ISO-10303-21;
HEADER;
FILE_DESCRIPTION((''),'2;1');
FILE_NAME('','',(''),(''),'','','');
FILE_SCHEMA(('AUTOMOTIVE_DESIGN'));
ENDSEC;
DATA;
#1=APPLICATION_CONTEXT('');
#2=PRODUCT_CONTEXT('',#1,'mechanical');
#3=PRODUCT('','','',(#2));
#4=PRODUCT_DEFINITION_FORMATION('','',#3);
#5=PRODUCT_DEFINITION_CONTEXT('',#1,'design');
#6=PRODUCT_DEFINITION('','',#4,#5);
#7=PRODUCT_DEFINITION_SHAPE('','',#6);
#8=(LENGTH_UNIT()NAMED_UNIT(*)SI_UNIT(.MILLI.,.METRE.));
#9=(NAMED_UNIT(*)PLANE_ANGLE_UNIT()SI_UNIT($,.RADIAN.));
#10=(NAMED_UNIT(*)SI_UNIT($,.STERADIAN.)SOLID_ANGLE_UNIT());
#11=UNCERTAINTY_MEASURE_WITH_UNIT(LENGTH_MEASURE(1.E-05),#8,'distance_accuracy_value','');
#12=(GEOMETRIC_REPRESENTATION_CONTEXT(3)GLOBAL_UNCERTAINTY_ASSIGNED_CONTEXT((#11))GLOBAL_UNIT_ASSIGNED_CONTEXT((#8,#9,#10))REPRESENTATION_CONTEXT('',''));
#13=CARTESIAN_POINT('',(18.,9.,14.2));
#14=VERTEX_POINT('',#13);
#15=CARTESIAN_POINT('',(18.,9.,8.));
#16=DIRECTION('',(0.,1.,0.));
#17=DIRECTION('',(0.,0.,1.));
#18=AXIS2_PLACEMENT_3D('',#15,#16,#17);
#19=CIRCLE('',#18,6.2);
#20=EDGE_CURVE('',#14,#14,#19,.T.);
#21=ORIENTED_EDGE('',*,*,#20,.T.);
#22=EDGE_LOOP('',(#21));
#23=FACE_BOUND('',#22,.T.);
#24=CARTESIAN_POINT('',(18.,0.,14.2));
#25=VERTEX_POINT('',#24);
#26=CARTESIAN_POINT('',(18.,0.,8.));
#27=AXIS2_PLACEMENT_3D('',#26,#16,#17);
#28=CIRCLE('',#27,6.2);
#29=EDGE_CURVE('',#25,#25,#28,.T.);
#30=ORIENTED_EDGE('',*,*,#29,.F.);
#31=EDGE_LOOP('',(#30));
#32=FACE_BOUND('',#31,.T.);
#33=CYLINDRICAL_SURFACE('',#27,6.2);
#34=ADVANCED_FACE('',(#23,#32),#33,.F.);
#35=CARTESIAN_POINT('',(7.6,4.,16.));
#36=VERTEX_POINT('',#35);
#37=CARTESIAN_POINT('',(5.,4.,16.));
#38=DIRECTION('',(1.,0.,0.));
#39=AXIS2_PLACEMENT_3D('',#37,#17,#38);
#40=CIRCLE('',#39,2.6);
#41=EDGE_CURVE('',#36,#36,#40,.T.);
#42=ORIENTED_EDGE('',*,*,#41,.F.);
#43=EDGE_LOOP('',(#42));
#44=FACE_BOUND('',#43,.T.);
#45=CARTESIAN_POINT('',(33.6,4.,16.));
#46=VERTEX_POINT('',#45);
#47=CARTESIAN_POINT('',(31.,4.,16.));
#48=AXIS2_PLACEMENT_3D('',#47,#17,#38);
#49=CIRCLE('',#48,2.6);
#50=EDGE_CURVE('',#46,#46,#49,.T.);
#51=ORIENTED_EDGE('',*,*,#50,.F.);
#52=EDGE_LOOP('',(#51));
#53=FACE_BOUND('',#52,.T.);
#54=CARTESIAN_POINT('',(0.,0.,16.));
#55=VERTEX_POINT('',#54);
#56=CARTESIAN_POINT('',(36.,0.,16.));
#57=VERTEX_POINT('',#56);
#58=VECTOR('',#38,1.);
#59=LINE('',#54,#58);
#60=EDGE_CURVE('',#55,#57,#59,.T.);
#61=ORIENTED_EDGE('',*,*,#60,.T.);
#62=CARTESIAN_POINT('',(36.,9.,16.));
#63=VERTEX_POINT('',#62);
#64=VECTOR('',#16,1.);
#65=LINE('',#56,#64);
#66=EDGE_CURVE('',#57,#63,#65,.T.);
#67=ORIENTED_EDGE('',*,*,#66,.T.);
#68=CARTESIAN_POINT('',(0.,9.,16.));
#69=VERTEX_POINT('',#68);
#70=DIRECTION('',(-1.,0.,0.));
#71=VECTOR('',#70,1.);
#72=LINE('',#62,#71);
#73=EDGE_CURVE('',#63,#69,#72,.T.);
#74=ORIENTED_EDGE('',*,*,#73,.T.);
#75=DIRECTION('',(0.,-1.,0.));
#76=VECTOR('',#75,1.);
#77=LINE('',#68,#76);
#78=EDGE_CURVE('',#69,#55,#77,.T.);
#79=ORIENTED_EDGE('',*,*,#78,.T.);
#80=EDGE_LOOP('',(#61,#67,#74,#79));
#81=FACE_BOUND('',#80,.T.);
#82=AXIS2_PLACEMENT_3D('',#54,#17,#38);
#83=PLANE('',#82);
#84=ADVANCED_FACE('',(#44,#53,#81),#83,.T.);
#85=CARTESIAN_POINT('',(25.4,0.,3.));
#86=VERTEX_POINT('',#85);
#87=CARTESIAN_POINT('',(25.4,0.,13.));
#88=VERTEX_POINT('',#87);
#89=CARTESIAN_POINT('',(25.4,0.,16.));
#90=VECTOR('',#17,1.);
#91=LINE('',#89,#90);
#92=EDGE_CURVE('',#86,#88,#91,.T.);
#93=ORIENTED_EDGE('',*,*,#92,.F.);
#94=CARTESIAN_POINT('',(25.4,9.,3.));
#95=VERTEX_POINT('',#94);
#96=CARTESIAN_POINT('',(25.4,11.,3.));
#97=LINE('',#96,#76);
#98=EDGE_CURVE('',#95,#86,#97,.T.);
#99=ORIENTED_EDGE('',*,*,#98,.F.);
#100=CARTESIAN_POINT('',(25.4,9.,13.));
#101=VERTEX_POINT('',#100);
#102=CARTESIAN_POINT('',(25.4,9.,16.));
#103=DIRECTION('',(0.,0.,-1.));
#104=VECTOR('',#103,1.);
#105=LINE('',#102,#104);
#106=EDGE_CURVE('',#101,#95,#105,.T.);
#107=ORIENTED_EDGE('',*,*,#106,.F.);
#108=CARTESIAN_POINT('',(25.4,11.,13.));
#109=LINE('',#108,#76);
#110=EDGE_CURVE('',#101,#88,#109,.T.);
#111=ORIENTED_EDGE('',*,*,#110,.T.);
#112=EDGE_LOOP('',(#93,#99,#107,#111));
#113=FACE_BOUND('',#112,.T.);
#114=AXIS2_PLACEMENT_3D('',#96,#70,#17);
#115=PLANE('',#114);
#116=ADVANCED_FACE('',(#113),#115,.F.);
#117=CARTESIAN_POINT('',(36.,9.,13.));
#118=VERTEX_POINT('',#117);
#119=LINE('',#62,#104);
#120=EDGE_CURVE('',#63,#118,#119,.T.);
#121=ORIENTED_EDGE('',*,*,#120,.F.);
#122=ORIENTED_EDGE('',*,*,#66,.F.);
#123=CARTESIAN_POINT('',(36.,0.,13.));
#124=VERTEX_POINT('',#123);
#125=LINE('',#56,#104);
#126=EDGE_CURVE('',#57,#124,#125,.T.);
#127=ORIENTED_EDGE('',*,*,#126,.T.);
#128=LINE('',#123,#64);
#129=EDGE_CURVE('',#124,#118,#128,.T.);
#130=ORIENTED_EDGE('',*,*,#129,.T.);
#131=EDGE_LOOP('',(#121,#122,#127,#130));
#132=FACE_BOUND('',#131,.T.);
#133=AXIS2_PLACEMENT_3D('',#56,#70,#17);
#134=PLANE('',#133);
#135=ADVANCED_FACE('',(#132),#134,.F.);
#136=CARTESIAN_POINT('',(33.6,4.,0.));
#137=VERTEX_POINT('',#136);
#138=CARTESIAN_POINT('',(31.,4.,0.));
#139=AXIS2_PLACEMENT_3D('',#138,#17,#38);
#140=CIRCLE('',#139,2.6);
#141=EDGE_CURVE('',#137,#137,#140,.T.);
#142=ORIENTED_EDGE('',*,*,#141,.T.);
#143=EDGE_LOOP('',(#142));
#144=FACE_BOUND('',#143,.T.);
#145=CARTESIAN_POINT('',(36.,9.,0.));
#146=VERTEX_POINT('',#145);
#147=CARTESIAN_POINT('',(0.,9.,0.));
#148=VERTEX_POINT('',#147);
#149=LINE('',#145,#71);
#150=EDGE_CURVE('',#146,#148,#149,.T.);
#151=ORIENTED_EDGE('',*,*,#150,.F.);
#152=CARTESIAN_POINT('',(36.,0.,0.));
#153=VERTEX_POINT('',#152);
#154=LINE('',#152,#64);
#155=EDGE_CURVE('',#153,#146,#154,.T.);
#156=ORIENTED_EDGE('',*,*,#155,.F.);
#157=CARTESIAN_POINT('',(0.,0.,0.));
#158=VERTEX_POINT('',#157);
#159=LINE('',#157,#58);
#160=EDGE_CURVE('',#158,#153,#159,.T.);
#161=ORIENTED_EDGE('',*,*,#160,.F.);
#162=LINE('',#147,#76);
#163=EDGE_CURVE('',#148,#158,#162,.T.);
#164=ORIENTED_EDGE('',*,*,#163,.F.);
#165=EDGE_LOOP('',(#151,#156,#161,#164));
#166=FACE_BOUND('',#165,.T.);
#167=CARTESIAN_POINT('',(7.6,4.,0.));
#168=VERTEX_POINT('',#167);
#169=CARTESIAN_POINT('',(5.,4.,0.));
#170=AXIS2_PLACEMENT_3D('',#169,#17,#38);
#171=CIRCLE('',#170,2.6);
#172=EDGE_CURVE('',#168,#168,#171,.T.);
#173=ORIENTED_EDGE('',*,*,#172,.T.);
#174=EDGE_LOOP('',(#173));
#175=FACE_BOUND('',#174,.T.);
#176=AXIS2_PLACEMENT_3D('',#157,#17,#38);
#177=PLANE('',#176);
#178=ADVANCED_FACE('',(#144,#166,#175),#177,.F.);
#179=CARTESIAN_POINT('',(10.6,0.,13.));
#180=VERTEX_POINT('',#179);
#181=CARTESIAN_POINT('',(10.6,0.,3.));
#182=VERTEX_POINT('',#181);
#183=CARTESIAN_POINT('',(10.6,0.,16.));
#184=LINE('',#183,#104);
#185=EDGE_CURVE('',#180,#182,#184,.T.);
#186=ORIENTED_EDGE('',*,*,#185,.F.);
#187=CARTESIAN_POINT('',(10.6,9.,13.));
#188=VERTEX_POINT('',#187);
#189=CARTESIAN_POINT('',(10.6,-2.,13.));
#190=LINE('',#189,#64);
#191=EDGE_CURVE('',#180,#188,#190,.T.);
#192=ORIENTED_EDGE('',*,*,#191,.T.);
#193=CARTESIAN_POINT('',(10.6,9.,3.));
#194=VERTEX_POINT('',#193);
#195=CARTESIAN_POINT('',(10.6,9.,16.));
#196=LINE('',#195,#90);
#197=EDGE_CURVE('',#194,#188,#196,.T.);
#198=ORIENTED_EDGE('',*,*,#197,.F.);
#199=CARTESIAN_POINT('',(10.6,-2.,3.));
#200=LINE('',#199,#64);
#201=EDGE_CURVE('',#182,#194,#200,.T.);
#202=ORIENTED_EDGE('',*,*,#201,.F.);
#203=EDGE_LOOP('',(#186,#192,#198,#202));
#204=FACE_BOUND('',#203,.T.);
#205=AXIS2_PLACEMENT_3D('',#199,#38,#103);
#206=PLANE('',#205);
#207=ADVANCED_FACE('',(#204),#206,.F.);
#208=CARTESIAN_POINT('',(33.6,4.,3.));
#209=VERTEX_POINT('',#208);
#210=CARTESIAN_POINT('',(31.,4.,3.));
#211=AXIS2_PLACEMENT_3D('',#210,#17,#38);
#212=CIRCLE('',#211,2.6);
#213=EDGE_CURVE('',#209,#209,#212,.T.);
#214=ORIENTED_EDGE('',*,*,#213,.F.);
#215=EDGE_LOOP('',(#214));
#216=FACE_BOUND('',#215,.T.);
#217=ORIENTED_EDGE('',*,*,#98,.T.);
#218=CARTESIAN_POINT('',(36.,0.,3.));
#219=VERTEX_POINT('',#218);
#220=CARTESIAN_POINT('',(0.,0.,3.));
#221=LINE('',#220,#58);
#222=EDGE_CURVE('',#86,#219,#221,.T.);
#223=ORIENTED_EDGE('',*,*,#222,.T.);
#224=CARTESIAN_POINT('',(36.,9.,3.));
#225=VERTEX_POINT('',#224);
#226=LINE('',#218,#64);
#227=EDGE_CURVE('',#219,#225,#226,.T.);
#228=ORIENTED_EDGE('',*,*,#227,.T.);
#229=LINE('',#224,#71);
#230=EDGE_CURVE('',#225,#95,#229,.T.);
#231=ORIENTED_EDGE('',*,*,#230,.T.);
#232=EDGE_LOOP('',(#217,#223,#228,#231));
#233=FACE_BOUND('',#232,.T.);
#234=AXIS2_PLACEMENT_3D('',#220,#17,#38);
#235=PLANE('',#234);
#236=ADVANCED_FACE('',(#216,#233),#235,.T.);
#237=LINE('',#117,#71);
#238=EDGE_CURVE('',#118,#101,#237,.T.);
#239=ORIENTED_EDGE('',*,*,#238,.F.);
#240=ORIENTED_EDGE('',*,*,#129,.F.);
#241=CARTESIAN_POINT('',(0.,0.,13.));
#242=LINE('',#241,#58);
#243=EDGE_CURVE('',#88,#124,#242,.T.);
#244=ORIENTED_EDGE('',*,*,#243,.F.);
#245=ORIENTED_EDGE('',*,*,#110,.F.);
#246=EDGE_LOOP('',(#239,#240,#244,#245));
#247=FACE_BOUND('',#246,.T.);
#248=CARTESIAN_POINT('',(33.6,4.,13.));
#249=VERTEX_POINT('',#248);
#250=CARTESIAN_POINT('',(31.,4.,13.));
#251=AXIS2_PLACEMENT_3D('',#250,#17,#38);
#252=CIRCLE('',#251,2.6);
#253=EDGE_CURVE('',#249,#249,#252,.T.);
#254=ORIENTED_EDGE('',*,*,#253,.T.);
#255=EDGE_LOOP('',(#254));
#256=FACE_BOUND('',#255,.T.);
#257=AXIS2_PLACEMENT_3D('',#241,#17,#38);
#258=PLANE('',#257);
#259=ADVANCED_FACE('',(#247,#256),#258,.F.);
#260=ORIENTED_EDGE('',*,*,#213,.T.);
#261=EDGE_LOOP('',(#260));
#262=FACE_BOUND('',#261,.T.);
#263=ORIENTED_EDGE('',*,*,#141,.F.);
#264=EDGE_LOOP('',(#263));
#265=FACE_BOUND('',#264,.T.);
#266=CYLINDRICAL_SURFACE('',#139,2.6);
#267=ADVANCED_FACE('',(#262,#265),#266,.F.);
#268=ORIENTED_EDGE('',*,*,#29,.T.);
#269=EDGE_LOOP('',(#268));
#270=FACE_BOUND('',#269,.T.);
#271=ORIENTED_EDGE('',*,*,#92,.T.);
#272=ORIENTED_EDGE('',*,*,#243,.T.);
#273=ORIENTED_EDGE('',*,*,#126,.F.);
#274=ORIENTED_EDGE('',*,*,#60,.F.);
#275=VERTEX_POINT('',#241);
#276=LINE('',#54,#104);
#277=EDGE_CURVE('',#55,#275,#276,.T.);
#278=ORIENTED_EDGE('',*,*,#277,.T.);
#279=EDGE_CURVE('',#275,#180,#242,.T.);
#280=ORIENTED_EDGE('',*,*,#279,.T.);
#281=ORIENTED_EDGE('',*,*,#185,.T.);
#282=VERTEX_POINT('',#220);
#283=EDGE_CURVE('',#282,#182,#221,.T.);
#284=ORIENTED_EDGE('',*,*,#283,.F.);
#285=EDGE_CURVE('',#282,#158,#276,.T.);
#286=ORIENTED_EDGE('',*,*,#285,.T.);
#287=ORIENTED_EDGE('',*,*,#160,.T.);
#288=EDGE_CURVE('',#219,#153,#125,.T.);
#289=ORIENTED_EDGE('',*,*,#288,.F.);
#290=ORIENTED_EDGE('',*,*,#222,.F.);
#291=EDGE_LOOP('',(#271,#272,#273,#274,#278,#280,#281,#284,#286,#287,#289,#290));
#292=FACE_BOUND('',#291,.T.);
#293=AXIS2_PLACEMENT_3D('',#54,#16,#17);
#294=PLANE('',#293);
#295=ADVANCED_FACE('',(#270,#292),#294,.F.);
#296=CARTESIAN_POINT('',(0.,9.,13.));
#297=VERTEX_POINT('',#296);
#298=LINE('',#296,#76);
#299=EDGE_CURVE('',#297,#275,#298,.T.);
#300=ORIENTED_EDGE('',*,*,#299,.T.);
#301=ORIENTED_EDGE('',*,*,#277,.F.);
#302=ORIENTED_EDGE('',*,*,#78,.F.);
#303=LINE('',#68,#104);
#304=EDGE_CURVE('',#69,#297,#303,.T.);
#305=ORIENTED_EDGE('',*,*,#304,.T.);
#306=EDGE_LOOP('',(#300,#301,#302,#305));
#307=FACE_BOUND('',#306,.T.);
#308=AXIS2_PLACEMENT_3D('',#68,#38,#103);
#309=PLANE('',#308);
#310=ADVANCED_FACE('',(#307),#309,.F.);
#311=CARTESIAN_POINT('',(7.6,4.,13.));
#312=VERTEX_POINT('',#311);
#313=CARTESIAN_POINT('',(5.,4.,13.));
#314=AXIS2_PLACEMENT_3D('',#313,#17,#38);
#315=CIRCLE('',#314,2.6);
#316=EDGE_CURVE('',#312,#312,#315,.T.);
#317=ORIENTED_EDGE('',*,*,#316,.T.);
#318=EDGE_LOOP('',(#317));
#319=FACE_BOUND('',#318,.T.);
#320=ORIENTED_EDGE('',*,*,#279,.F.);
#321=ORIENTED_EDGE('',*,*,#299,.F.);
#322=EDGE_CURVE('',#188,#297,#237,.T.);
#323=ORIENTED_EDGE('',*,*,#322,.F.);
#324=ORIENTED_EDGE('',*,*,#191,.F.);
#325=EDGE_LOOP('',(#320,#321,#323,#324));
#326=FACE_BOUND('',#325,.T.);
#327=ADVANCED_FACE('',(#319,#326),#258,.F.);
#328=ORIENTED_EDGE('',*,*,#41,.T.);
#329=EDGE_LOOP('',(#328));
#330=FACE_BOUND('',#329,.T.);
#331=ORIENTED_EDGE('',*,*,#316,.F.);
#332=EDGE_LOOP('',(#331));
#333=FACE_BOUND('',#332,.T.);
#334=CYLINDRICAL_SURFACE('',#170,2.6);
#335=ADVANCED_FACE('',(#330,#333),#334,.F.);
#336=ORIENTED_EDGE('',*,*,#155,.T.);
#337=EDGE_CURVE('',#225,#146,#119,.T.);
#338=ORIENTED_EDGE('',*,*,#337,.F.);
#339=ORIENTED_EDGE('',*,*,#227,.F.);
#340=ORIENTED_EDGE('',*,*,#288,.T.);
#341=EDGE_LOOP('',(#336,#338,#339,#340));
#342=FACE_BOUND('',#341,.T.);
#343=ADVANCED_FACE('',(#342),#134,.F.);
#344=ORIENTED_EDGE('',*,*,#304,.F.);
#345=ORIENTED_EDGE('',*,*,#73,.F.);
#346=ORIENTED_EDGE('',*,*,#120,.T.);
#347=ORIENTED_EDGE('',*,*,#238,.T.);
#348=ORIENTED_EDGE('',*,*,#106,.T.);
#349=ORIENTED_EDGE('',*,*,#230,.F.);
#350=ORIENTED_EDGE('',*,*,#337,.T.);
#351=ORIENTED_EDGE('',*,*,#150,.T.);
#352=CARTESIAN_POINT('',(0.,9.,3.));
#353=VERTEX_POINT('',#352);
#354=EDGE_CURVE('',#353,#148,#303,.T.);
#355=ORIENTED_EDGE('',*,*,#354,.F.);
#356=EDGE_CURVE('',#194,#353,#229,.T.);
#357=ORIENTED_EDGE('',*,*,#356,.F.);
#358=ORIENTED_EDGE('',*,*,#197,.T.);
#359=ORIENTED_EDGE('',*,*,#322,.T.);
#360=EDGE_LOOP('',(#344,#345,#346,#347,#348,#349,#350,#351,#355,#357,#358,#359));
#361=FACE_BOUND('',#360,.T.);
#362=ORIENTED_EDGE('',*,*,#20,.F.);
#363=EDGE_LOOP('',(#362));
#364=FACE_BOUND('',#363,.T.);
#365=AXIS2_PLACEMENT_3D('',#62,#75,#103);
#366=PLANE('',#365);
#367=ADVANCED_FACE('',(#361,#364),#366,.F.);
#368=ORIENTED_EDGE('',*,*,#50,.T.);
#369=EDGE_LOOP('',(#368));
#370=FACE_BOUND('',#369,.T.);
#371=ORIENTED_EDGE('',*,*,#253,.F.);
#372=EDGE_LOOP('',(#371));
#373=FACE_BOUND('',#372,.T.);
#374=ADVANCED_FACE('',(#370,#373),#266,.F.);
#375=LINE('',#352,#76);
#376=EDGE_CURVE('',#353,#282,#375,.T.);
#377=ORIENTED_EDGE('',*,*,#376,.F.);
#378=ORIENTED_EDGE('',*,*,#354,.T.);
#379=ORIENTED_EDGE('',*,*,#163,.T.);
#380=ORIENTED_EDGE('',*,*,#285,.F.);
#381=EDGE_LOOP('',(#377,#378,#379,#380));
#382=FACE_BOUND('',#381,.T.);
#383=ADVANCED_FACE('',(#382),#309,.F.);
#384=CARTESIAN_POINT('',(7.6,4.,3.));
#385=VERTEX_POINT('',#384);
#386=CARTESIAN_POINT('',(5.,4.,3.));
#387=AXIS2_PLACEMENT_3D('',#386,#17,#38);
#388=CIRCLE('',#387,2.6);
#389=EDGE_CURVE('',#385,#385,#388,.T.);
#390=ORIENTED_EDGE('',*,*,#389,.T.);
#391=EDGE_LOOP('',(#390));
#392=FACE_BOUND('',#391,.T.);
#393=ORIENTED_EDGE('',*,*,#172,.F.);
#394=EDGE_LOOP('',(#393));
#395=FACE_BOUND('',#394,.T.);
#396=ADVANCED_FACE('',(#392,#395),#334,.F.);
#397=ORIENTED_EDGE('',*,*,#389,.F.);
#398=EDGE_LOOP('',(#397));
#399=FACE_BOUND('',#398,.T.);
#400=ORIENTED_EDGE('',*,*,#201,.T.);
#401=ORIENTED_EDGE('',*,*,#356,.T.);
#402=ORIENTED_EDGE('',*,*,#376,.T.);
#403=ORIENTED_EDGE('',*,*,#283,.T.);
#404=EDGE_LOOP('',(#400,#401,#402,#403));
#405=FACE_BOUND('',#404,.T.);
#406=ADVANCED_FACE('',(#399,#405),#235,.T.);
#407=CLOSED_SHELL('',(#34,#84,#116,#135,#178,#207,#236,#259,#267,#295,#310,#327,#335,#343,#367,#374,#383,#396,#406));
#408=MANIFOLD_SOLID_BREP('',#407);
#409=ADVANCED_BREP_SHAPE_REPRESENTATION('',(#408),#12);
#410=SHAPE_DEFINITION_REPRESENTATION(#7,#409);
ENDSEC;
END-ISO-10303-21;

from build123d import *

# Parameters (mm, degrees)
SKETCH_1_W              = 36
SKETCH_1_H              = 9
BLOCKEXTRUDE_DEPTH      = 16
SKETCH_3_W              = 12.6
SKETCH_3_H              = 13
CLEVIS_SLOT_DEPTH       = 5
SKETCH_4_W              = 12.6
SKETCH_4_H              = 13
CUT_EXTRUDE_2_DEPTH     = 5
SKETCH_5_R              = 2.6
PIVOT_BORE_DEPTH        = 41.410394702
SKETCH_6_R              = 2.6
CUT_EXTRUDE_4_DEPTH     = 41.410394702
SKETCH_7_R              = 6.2
SPINDLE_CLEARANCE_DEPTH = 41.410394702


with BuildPart() as part:
    # 草图1 → BlockExtrude (new body)
    with BuildSketch(Plane.XY):
        with Locations((18, 4.5)):
            Rectangle(SKETCH_1_W, SKETCH_1_H)
    extrude(amount=BLOCKEXTRUDE_DEPTH)

    # 草图3 → Clevis_slot (cut, symmetric)
    with BuildSketch(Plane.XY.offset(8)):
        with Locations((4.3, 4.5)):
            Rectangle(SKETCH_3_W, SKETCH_3_H)
    extrude(amount=CLEVIS_SLOT_DEPTH, both=True, mode=Mode.SUBTRACT)

    # 草图4 → 切除-拉伸2 (cut, symmetric)
    with BuildSketch(Plane.XY.offset(8)):
        with Locations((31.7, 4.5)):
            Rectangle(SKETCH_4_W, SKETCH_4_H)
    extrude(amount=CUT_EXTRUDE_2_DEPTH, both=True, mode=Mode.SUBTRACT)

    # 草图5 → Pivot_bore (cut, through all)
    with BuildSketch(Plane.XY.offset(16)):
        with Locations((5, 4)):
            Circle(SKETCH_5_R)
    extrude(amount=-PIVOT_BORE_DEPTH, mode=Mode.SUBTRACT)

    # 草图6 → 切除-拉伸4 (cut, through all)
    with BuildSketch(Plane.XY.offset(16)):
        with Locations((31, 4)):
            Circle(SKETCH_6_R)
    extrude(amount=-CUT_EXTRUDE_4_DEPTH, mode=Mode.SUBTRACT)

    # 草图7 → Spindle_clearance (cut, through all)
    with BuildSketch(Plane(origin=(0, 9, 0), x_dir=(1, 0, 0), z_dir=(0, 1, 0))):
        with Locations(Location((18, -8, 0), (0, 0, 270))):
            Circle(SKETCH_7_R)
    extrude(amount=-SPINDLE_CLEARANCE_DEPTH, mode=Mode.SUBTRACT)


solid = part.part
